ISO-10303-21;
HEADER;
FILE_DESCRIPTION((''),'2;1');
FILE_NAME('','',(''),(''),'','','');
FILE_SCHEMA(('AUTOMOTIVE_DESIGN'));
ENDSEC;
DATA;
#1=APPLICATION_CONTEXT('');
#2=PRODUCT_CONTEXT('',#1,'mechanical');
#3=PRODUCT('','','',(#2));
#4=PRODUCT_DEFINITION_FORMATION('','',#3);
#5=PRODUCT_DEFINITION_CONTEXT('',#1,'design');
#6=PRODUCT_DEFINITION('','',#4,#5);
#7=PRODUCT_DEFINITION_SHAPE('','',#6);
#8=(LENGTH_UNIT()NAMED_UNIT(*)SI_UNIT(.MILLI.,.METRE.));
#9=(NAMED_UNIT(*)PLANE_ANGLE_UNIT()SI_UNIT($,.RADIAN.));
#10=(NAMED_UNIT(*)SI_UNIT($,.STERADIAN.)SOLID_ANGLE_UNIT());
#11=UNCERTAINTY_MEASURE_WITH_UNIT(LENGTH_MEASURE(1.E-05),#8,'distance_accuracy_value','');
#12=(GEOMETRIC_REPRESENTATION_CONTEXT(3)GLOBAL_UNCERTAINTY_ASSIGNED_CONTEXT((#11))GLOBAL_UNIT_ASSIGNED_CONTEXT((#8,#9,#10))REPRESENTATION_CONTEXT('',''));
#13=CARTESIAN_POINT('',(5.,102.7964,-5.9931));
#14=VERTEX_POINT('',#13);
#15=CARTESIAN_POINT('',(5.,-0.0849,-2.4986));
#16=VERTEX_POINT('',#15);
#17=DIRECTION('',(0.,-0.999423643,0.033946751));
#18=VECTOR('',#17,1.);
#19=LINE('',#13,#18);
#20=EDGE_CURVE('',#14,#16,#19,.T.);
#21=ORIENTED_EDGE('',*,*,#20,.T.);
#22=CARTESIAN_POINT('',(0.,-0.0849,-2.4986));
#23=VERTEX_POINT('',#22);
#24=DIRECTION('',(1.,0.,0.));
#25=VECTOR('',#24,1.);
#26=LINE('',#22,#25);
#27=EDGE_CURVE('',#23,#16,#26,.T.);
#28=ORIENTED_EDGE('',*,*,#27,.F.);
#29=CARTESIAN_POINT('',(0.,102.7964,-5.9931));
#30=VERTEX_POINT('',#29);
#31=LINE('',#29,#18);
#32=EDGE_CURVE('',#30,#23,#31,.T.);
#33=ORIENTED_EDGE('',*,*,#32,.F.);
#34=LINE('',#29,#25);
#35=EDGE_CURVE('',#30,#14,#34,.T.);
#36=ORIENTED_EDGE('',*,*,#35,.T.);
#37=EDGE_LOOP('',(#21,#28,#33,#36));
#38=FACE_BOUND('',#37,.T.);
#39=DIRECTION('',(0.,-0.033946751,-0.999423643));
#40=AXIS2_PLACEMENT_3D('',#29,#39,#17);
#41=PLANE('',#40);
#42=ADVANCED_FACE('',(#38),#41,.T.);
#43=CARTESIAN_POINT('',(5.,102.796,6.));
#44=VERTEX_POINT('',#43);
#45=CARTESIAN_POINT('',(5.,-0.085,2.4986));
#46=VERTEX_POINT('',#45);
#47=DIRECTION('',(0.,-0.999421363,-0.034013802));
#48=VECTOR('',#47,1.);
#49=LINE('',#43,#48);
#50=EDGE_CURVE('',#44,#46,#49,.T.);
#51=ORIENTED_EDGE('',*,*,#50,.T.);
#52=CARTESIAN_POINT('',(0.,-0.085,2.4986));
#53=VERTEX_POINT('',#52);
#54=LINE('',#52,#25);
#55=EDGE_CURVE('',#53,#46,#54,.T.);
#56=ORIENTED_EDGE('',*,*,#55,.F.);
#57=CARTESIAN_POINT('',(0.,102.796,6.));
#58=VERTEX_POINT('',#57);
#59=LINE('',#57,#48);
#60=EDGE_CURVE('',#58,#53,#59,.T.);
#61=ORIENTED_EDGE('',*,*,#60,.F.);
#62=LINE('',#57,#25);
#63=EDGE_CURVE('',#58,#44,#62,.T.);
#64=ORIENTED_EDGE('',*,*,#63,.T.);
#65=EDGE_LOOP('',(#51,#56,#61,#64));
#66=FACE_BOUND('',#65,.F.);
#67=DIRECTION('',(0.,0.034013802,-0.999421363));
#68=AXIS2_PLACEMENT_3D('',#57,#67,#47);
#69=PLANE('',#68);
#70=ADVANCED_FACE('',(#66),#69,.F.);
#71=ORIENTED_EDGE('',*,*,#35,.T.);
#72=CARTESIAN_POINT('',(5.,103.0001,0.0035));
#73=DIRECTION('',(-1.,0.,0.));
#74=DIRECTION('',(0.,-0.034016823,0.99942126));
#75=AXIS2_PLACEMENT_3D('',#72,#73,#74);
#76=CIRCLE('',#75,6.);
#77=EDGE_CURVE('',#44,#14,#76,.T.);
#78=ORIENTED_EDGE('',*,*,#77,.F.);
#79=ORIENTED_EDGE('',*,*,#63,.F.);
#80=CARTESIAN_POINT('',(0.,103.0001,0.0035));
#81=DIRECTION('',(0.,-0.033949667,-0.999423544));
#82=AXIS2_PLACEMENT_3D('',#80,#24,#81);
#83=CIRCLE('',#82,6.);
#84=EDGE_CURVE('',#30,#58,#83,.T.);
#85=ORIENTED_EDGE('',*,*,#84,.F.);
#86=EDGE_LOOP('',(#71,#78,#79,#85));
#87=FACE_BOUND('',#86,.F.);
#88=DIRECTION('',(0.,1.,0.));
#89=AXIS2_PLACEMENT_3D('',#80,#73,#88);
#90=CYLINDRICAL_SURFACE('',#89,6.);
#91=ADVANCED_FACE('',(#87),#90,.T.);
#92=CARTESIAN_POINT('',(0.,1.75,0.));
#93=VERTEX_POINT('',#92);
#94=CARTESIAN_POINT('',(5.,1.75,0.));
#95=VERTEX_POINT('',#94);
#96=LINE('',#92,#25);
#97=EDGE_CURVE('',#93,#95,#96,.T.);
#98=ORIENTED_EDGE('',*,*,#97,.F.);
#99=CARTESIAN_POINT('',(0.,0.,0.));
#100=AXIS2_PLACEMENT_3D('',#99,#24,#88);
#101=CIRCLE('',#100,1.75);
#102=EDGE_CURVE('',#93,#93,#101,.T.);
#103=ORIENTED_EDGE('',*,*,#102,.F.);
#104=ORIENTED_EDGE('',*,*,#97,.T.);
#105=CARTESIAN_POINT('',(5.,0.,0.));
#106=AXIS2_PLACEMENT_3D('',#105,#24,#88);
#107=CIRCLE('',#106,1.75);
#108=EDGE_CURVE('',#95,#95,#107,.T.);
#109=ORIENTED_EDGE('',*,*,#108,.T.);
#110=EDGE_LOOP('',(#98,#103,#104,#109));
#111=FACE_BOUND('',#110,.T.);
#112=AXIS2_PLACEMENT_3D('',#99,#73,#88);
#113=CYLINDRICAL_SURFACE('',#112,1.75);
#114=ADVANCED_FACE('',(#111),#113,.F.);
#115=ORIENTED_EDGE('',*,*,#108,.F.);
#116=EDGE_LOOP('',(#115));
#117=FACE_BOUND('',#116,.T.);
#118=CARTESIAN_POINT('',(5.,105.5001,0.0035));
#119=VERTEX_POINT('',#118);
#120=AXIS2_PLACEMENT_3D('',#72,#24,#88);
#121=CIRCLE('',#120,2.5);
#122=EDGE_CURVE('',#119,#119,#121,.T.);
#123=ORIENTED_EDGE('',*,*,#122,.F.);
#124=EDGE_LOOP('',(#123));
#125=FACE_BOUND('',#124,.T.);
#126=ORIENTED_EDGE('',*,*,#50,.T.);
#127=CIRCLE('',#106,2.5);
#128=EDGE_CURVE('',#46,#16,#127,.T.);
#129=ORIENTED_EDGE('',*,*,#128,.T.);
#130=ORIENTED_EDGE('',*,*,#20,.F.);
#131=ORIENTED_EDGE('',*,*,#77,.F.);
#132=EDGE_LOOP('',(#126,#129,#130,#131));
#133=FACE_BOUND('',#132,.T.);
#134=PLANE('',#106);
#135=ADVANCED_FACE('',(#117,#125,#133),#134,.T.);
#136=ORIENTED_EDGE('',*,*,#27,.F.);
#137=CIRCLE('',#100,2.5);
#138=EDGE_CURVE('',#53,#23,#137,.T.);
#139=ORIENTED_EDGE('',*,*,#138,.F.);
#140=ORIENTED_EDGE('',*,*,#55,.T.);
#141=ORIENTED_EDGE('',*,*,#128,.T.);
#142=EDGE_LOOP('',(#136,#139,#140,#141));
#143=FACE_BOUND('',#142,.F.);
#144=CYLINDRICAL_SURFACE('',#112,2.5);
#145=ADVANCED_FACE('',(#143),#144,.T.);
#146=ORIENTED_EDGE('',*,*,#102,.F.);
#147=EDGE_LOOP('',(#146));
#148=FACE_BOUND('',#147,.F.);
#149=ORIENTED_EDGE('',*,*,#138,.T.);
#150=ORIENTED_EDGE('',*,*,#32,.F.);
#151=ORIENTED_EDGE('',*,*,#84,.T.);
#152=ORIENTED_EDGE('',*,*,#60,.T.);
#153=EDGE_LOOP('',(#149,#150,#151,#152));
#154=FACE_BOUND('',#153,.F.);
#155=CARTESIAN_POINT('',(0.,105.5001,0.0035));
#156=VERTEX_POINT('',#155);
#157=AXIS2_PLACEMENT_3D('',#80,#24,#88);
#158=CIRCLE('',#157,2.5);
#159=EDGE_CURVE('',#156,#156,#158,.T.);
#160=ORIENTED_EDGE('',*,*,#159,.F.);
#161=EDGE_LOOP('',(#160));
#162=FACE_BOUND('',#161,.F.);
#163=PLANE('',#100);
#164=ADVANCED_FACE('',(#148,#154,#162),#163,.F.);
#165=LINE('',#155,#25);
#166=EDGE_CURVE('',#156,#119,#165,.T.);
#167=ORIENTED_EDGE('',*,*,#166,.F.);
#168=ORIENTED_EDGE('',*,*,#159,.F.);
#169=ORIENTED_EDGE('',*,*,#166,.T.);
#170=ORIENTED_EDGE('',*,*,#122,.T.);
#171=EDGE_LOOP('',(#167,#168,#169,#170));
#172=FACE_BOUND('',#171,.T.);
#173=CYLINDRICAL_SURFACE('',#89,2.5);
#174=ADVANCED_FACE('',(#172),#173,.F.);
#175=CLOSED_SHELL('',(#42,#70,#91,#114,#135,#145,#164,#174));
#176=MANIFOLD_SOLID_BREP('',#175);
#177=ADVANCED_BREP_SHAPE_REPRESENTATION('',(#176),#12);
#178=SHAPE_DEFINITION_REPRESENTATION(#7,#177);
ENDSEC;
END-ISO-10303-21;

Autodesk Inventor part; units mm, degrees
ref_plane "YZ Plane" through (0, 0, 0) normal (1, 0, 0) x (0, 1, 0)
ref_plane "XZ Plane" through (0, 0, 0) normal (0, 1, 0) x (-1, 0, 0)
ref_plane "XY Plane" through (0, 0, 0) normal (0, 0, 1) x (1, 0, 0)
sketch "Sketch1" plane through (0, 0, 0) normal (1, 0, 0) x (0, 1, 0)
  circle A0 centre (0, 0) radius 1.75
  circle A1 centre (103.0001, 0.0035) radius 2.5
  circle A2 centre (103.0001, 0.0035) radius 6
  circle A3 centre (0, 0) radius 2.5
  line L0 (102.7964, -5.9931) -> (-0.0849, -2.4986)
  line L1 (102.796, 6) -> (-0.085, 2.4986)
  dimension "d0" = 3.5
  dimension "d1" = 5
  dimension "d2" = 12
  dimension "d3" = 5
extrude "Extrusion1" add sketch "Sketch1" along normal blind 5
properties part number "CoinLockUdløser"
